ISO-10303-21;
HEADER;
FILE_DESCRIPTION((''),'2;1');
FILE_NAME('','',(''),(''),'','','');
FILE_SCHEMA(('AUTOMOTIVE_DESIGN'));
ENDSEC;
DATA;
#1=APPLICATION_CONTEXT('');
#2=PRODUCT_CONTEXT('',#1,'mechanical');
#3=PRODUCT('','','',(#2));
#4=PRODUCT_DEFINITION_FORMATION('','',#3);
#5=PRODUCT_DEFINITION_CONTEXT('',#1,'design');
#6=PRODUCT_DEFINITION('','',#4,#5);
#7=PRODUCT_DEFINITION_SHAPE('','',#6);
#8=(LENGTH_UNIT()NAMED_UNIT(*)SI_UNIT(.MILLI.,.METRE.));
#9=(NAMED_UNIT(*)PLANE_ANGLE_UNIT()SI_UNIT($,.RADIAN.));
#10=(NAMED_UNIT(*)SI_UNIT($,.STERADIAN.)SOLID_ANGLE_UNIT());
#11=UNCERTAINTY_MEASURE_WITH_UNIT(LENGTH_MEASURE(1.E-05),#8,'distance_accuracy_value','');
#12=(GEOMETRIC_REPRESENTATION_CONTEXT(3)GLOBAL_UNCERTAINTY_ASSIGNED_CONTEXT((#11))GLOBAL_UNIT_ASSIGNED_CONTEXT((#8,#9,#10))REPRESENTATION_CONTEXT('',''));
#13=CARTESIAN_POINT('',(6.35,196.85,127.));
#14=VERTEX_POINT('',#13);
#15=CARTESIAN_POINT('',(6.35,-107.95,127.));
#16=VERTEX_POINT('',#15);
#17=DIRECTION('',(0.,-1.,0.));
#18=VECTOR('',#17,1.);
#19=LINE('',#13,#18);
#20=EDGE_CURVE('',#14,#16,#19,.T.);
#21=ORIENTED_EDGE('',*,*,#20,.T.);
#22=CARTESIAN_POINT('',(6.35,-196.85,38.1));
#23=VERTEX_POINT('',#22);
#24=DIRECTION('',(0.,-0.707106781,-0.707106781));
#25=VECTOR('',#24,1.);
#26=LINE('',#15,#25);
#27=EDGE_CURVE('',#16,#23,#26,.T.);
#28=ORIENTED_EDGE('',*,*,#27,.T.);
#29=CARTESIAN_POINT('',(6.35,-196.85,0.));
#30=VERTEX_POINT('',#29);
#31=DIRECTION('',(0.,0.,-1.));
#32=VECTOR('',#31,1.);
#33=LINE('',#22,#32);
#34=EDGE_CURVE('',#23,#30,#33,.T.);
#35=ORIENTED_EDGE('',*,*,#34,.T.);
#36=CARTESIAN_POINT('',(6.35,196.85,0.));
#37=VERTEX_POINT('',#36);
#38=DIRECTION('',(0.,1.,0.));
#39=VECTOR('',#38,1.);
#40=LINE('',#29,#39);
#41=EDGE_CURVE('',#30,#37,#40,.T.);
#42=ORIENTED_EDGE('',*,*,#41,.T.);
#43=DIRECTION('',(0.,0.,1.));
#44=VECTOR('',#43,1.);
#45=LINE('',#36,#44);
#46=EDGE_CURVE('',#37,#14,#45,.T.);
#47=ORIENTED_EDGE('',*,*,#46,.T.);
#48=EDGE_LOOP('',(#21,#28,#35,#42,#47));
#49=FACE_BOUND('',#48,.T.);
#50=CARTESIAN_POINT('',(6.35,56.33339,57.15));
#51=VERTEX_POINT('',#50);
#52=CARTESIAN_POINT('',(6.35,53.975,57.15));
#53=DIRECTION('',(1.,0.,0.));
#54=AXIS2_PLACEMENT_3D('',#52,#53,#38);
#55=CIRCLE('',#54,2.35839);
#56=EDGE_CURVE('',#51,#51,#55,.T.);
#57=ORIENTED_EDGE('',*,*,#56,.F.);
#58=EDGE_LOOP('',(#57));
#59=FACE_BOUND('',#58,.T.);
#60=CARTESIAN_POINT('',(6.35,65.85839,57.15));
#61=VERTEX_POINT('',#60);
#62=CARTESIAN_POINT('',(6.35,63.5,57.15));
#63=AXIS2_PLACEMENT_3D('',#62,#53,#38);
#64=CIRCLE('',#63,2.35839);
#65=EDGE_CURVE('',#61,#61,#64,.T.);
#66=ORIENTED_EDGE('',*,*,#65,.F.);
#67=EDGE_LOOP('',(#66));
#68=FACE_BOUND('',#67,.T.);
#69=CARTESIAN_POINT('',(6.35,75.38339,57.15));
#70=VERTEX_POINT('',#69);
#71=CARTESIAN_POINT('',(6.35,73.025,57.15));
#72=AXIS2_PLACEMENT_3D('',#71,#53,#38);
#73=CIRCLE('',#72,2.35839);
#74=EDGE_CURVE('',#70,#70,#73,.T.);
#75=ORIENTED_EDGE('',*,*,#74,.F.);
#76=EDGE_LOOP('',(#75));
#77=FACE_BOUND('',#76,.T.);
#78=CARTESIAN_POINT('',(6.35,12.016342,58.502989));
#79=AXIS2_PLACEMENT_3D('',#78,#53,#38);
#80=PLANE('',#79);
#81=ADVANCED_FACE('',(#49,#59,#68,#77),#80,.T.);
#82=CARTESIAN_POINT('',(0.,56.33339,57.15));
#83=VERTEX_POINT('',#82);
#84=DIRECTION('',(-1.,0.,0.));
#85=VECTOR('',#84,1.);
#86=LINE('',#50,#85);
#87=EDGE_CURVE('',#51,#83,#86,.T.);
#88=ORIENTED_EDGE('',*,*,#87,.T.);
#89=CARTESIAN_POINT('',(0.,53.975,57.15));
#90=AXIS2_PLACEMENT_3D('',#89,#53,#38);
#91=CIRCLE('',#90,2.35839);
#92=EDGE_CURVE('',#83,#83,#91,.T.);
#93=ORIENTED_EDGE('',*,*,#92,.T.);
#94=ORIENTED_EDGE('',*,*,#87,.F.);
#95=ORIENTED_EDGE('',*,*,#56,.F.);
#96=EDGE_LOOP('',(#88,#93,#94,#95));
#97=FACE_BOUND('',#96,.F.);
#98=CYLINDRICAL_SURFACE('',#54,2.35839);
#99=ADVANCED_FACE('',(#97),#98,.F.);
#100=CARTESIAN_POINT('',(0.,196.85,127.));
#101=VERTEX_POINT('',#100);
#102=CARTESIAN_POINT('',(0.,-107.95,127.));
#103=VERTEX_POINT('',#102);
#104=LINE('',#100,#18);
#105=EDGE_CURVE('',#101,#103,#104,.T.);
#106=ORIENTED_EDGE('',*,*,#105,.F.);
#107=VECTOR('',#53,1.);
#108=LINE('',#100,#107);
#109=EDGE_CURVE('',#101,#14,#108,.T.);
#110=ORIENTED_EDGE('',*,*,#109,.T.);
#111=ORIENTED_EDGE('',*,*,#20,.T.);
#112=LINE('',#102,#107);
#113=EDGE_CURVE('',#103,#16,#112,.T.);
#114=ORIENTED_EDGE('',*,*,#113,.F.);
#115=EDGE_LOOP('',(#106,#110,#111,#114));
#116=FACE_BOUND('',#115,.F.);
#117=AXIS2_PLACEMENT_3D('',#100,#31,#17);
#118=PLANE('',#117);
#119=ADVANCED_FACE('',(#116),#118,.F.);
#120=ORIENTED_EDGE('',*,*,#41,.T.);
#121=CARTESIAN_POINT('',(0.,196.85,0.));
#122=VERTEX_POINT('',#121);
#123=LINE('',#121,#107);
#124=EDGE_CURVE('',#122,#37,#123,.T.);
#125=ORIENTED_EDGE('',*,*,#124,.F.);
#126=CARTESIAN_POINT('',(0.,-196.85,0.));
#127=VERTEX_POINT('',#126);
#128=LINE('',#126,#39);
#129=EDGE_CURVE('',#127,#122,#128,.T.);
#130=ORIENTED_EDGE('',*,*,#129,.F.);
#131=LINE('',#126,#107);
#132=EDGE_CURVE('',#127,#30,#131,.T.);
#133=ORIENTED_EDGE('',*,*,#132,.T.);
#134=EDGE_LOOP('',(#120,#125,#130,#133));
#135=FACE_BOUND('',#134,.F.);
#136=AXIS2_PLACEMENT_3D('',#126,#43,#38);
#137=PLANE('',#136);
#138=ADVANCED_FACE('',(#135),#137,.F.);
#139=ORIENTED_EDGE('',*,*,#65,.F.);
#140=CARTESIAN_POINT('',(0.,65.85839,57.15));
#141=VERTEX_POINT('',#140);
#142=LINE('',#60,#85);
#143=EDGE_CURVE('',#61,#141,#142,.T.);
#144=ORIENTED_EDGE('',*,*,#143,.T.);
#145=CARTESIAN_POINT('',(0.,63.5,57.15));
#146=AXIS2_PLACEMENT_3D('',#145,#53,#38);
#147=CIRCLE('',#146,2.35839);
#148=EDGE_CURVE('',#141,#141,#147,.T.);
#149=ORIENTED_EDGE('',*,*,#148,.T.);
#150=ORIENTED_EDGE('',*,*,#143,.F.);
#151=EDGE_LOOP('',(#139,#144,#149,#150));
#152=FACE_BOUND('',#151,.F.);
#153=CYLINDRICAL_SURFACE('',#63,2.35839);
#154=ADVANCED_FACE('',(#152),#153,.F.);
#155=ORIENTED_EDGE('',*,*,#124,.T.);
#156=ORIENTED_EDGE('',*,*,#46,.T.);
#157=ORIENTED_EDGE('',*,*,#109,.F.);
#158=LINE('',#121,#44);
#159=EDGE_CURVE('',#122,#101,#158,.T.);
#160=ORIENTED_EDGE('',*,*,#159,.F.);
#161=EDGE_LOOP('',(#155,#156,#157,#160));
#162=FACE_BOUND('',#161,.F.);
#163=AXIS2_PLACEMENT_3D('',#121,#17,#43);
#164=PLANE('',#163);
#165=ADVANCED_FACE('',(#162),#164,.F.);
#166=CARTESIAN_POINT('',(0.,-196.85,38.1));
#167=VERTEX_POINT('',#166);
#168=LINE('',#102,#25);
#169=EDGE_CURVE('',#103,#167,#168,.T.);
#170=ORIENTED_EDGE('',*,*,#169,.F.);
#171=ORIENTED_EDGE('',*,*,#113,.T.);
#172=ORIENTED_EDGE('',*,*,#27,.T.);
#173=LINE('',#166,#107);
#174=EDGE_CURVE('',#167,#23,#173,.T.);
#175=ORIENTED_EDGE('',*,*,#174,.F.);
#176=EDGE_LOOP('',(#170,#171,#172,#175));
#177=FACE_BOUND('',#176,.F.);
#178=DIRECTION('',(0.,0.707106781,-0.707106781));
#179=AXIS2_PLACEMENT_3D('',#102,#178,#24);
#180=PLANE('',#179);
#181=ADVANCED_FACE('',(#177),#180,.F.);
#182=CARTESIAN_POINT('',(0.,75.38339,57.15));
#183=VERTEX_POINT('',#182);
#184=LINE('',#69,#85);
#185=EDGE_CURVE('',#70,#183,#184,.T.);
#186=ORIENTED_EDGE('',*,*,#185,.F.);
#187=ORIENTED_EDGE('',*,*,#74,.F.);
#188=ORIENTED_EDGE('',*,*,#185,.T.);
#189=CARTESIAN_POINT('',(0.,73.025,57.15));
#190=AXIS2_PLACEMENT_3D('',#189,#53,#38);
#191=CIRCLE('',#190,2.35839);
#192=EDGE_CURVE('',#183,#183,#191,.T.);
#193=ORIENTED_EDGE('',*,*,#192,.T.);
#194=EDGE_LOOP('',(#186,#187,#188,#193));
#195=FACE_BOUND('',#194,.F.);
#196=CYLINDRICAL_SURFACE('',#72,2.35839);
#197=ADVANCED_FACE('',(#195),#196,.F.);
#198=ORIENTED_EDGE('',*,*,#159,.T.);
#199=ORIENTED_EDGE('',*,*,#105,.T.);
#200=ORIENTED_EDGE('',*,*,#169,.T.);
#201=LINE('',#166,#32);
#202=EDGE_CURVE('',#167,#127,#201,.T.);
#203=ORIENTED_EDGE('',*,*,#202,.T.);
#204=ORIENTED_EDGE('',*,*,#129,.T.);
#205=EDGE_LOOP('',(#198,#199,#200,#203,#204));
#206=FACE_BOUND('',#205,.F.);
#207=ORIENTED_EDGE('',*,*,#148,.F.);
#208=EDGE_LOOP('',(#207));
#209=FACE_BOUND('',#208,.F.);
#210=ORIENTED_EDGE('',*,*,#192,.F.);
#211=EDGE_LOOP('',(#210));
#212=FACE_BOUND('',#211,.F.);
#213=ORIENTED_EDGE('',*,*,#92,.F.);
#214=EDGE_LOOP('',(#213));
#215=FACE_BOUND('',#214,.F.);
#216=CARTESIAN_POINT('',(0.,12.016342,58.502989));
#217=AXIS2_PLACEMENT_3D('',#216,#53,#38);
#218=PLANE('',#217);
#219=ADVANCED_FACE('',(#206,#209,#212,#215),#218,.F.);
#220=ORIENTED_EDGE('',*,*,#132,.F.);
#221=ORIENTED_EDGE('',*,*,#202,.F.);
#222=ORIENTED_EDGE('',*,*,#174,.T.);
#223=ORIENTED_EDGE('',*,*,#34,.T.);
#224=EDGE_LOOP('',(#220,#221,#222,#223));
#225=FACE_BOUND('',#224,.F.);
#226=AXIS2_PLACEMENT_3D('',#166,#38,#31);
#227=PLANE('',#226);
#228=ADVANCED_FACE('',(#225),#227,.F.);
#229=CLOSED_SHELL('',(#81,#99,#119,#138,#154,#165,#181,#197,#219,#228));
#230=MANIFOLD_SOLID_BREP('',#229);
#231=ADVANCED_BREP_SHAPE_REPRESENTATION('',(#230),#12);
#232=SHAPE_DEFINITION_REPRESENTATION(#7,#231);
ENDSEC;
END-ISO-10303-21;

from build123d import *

# Parameters (mm, degrees)
F1_DEPTH = 6.35
F2_R     = 2.35839
F3_DEPTH = 6.351


with BuildPart() as f1:
    # F0 (on Right) → F1 (new body)
    with BuildSketch(Plane.YZ):
        Polygon((-196.85, 38.1), (-196.85, 0), (196.85, 0), (196.85, 127), (-107.95, 127), align=None)
    extrude(amount=F1_DEPTH)

    # F2 (on face) → F3 (cut, through all)
    with BuildSketch(Plane.YZ.offset(6.35)):
        with Locations((53.975, 57.15)):
            Circle(F2_R)
        with Locations((63.5, 57.15)):
            Circle(F2_R)
        with Locations((73.025, 57.15)):
            Circle(F2_R)
    extrude(amount=-F3_DEPTH, mode=Mode.SUBTRACT)


solid = f1.part
